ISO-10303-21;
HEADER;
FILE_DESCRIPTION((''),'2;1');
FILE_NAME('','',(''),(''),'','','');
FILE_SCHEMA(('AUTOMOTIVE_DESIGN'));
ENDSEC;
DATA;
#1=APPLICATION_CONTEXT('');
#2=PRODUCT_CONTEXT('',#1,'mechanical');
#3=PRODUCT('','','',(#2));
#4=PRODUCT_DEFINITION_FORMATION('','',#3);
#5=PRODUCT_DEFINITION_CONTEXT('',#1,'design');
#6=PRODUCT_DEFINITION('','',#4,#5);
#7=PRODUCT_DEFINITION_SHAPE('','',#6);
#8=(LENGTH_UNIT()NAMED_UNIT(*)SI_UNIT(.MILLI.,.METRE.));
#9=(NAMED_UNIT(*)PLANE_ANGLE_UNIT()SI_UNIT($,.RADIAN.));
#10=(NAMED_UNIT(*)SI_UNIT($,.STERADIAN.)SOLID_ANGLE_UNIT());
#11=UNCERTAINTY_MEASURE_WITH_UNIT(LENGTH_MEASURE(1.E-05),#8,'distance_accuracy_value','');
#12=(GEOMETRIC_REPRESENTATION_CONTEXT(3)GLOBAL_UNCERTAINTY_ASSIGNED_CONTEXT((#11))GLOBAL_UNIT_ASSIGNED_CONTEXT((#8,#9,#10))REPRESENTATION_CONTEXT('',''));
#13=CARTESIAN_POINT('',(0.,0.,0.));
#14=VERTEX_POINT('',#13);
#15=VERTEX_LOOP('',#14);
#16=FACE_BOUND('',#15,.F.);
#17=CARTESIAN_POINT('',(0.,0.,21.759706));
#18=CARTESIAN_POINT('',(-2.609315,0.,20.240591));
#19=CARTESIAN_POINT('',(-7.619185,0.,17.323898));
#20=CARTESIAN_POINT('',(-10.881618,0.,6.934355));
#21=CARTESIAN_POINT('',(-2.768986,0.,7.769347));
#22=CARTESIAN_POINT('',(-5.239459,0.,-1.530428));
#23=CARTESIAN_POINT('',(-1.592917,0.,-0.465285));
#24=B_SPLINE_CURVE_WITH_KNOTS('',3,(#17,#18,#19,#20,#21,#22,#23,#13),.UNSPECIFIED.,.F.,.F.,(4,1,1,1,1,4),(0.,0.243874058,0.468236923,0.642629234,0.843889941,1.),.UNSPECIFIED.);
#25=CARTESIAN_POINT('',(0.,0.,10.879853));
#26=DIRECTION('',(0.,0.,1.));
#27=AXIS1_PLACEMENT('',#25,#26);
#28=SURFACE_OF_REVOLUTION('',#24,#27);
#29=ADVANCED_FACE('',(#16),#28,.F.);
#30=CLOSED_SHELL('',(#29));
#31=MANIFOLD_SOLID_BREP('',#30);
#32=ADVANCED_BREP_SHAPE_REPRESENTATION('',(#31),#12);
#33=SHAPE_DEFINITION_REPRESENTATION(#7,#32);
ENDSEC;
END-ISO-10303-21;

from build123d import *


with BuildPart() as f1:
    # F0 (on Front) → F1 (revolve)
    with BuildSketch(Plane.XZ):
        with BuildLine():
            add(Edge.make_bspline(
                [(0, 21.759705618), (-2.6093146352, 20.2405908201), (-7.6191851673, 17.3238983069), (-10.8816179566, 6.9343545011), (-2.7689864276, 7.7693474553), (-5.2394586253, -1.5304278424), (-1.5929167253, -0.4652854963), (0, 0)],
                knots=[0, 0, 0, 0, 0.243874058, 0.4682369233, 0.6426292345, 0.8438899415, 1, 1, 1, 1], degree=3))
            Line((0, 0), (0, 21.759705618))
        make_face()
    revolve(axis=Axis((0, 0, 10.879852809), (0, 0, 1)))


solid = f1.part
